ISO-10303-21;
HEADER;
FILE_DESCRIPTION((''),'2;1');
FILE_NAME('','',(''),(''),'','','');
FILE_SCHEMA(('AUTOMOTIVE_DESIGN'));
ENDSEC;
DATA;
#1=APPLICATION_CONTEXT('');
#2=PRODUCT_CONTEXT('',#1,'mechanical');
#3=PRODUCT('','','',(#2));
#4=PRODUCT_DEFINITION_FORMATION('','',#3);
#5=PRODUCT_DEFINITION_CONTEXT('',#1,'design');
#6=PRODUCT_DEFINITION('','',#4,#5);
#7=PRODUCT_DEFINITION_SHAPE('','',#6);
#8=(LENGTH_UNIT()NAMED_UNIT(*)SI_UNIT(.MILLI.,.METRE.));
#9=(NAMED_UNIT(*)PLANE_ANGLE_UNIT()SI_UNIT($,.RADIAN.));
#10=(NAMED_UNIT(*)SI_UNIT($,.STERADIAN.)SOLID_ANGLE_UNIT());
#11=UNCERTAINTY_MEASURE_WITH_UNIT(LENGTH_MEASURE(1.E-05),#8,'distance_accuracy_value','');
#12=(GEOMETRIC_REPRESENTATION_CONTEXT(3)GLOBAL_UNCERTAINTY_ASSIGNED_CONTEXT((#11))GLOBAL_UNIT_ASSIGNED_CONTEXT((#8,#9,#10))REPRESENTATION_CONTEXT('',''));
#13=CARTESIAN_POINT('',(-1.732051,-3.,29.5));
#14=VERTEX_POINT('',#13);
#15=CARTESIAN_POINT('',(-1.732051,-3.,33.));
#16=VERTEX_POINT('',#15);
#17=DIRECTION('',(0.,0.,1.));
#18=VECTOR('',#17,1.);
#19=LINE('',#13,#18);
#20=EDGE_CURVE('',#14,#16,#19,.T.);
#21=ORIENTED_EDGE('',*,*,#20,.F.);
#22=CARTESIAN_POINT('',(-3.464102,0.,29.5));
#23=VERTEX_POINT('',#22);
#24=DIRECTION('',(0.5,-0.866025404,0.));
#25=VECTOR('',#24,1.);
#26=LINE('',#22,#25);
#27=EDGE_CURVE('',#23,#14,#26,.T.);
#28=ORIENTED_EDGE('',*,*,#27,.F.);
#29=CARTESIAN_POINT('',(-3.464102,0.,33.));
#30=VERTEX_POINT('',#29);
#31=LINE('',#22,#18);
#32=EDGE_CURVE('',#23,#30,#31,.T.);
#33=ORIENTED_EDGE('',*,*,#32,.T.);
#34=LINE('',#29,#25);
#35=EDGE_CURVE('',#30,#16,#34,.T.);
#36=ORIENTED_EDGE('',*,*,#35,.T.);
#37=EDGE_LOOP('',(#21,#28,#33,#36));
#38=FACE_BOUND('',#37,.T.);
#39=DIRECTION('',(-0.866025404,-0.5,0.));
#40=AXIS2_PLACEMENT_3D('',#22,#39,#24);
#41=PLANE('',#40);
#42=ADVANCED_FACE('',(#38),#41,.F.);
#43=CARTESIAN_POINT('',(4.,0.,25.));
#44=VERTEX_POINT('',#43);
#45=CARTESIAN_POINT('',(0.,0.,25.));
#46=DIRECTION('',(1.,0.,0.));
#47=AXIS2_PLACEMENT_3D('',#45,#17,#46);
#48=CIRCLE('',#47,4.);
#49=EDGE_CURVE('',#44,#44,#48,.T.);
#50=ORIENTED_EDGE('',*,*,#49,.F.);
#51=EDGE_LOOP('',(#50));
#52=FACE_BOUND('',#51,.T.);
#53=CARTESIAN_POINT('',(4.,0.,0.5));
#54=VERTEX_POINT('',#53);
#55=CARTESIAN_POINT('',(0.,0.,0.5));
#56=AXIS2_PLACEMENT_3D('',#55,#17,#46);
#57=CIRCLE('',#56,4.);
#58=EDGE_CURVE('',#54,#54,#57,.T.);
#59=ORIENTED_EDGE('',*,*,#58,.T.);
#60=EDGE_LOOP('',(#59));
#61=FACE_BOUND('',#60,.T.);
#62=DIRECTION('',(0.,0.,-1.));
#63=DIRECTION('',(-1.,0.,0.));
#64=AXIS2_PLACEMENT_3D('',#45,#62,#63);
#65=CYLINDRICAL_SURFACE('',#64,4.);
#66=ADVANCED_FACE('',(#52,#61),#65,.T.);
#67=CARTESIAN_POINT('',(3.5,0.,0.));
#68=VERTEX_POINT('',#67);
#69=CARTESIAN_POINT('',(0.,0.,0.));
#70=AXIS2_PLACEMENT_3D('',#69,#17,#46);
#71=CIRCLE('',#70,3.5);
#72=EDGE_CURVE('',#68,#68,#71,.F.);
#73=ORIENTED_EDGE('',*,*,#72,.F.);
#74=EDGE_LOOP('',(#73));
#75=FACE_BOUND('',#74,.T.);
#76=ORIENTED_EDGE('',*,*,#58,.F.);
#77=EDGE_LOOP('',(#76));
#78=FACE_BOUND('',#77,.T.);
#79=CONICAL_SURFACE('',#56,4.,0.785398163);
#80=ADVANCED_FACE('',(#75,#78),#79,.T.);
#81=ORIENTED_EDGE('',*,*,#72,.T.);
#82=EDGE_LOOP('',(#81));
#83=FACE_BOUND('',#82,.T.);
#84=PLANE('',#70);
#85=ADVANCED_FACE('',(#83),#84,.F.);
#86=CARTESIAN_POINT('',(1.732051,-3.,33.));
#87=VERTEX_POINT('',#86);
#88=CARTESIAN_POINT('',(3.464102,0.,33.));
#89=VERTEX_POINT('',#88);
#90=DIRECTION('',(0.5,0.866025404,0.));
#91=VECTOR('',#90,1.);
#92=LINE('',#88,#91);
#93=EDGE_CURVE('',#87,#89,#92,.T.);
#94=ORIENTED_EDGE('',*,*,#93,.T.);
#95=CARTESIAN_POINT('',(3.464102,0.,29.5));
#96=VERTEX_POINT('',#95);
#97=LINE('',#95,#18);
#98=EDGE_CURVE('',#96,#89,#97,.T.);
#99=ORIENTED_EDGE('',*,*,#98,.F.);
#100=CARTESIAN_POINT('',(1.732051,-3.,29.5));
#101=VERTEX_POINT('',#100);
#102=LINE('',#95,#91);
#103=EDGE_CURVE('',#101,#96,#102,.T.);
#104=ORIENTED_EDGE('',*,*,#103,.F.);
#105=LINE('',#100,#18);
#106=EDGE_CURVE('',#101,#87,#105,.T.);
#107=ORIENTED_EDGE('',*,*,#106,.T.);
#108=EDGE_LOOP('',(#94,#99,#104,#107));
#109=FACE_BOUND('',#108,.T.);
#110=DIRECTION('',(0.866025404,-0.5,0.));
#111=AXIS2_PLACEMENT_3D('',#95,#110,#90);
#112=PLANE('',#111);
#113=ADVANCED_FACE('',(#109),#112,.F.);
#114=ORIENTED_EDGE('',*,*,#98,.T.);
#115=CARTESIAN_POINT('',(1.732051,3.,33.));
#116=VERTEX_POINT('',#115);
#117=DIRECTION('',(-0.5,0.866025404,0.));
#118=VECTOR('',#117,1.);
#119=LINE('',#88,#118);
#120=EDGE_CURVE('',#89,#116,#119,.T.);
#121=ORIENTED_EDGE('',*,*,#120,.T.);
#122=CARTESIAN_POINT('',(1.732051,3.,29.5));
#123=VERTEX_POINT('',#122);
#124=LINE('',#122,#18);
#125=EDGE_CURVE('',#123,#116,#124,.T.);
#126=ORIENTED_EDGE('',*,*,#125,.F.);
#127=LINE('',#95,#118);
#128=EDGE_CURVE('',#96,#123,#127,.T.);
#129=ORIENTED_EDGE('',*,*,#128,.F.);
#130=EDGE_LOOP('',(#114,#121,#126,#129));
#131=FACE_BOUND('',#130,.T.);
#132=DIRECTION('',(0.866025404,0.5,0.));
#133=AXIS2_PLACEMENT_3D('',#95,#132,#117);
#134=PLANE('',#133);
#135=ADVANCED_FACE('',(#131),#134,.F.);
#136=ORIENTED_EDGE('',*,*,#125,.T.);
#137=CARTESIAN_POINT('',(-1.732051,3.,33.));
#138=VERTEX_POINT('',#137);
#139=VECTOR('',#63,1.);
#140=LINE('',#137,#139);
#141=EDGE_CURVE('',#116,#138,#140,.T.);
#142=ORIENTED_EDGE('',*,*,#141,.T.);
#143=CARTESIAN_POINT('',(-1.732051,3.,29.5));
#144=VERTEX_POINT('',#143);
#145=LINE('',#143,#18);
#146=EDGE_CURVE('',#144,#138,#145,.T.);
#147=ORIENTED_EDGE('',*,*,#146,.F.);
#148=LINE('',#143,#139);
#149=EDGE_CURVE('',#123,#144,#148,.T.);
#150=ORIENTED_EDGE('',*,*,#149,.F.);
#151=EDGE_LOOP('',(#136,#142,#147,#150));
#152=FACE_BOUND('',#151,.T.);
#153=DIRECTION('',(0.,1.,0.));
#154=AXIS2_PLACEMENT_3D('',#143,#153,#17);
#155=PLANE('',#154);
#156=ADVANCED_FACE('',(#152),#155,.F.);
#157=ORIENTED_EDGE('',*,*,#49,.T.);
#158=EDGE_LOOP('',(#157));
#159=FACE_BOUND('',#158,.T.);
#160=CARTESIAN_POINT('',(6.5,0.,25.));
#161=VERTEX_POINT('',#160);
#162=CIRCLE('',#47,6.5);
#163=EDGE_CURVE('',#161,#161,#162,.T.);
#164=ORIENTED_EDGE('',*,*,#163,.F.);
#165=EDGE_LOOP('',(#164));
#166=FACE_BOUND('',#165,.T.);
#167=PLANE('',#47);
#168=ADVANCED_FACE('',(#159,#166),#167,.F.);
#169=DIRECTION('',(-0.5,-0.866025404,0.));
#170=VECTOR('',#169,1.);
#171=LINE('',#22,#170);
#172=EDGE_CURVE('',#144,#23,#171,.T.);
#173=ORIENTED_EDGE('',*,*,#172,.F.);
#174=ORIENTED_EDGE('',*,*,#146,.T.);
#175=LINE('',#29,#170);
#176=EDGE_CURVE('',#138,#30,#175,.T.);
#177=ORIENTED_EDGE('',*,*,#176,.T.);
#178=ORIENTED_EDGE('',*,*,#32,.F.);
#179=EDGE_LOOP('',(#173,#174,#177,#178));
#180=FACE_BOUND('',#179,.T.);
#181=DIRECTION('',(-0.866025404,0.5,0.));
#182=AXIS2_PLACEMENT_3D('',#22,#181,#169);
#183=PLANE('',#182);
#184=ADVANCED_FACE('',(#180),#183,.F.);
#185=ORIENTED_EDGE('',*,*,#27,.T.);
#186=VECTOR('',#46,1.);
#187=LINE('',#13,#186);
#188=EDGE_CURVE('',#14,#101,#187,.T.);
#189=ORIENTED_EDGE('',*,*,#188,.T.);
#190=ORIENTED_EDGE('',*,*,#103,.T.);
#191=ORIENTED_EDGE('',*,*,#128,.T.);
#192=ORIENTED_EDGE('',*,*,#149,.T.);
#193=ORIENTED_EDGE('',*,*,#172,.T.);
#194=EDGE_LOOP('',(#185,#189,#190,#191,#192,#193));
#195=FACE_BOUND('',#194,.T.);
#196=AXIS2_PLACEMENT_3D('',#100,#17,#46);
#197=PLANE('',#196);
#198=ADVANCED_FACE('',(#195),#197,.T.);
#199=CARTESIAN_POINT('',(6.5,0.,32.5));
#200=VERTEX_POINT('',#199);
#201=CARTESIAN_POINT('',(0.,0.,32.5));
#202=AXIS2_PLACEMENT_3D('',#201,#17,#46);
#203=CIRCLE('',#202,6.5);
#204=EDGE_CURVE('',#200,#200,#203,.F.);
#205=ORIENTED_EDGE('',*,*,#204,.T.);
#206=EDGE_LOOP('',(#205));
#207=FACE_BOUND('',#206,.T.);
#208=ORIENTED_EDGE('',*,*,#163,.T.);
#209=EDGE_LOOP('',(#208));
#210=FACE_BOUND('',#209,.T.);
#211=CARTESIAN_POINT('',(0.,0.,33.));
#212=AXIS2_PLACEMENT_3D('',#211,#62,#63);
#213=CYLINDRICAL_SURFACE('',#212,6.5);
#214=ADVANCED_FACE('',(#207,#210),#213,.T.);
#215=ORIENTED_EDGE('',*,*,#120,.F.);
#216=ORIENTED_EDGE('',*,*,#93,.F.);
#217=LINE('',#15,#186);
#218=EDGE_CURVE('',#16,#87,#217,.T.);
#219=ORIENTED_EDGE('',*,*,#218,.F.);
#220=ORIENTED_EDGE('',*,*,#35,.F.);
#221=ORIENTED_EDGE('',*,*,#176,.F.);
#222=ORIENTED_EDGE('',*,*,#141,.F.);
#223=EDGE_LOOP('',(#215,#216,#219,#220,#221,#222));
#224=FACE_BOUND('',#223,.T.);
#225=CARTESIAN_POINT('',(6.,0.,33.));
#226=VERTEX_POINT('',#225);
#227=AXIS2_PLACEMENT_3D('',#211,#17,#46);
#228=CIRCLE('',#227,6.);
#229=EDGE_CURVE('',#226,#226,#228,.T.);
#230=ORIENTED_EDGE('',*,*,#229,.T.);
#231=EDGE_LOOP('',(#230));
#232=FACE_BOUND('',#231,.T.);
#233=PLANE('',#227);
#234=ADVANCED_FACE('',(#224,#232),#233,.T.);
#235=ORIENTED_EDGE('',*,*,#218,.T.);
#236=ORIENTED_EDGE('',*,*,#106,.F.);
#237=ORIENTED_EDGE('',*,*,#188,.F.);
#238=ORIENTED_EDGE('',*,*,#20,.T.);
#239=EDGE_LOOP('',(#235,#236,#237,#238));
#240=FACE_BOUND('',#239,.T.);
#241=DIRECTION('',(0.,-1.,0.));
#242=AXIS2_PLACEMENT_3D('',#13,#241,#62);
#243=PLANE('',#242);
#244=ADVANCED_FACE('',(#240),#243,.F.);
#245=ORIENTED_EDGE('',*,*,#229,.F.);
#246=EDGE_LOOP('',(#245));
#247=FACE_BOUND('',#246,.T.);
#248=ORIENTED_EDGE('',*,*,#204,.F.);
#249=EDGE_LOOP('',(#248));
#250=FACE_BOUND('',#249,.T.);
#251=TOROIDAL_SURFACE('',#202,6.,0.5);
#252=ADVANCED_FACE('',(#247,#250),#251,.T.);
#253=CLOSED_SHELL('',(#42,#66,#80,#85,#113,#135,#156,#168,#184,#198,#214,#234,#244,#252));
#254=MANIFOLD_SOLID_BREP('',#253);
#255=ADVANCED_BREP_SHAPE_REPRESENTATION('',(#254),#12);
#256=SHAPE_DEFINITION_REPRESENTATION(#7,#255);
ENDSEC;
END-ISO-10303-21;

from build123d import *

# Parameters (mm, degrees)
ESQUISSE1_R             = 4
BASE_EXTRUSION_DEPTH    = 25
ESQUISSE2_R             = 6.5
BOSS_EXTRU_1_DEPTH      = 8
ENL_V_MAT_EXTRU_1_DEPTH = 3.5
CONG_2_R                = 0.5
CHANFREIN1_SIZE         = 0.5


with BuildPart() as part:
    # Esquisse1 → Base-Extrusion (new body)
    with BuildSketch(Plane.XY):
        Circle(ESQUISSE1_R)
    extrude(amount=BASE_EXTRUSION_DEPTH)

    # Esquisse2 → Boss.-Extru.1 (add)
    with BuildSketch(Plane.XY.offset(25)):
        Circle(ESQUISSE2_R)
    extrude(amount=BOSS_EXTRU_1_DEPTH)

    # Esquisse3 → Enlèv. mat.-Extru.1 (cut)
    with BuildSketch(Plane.XY.offset(33)):
        Polygon((-1.732050808, 3), (1.732050808, 3), (3.464101615, 0), (1.732050808, -3), (-1.732050808, -3), (-3.464101615, 0), align=None)
    extrude(amount=-ENL_V_MAT_EXTRU_1_DEPTH, mode=Mode.SUBTRACT)

    # Congé2
    cong_2_edges = [part.edges().sort_by_distance(p)[0] for p in [
        (-6.5, 0, 33),
    ]]
    fillet(cong_2_edges, radius=CONG_2_R)

    # Chanfrein1
    chanfrein1_edges = [part.edges().sort_by_distance(p)[0] for p in [
        (-4, 0, 0),
    ]]
    chamfer(chanfrein1_edges, length=CHANFREIN1_SIZE)


solid = part.part
